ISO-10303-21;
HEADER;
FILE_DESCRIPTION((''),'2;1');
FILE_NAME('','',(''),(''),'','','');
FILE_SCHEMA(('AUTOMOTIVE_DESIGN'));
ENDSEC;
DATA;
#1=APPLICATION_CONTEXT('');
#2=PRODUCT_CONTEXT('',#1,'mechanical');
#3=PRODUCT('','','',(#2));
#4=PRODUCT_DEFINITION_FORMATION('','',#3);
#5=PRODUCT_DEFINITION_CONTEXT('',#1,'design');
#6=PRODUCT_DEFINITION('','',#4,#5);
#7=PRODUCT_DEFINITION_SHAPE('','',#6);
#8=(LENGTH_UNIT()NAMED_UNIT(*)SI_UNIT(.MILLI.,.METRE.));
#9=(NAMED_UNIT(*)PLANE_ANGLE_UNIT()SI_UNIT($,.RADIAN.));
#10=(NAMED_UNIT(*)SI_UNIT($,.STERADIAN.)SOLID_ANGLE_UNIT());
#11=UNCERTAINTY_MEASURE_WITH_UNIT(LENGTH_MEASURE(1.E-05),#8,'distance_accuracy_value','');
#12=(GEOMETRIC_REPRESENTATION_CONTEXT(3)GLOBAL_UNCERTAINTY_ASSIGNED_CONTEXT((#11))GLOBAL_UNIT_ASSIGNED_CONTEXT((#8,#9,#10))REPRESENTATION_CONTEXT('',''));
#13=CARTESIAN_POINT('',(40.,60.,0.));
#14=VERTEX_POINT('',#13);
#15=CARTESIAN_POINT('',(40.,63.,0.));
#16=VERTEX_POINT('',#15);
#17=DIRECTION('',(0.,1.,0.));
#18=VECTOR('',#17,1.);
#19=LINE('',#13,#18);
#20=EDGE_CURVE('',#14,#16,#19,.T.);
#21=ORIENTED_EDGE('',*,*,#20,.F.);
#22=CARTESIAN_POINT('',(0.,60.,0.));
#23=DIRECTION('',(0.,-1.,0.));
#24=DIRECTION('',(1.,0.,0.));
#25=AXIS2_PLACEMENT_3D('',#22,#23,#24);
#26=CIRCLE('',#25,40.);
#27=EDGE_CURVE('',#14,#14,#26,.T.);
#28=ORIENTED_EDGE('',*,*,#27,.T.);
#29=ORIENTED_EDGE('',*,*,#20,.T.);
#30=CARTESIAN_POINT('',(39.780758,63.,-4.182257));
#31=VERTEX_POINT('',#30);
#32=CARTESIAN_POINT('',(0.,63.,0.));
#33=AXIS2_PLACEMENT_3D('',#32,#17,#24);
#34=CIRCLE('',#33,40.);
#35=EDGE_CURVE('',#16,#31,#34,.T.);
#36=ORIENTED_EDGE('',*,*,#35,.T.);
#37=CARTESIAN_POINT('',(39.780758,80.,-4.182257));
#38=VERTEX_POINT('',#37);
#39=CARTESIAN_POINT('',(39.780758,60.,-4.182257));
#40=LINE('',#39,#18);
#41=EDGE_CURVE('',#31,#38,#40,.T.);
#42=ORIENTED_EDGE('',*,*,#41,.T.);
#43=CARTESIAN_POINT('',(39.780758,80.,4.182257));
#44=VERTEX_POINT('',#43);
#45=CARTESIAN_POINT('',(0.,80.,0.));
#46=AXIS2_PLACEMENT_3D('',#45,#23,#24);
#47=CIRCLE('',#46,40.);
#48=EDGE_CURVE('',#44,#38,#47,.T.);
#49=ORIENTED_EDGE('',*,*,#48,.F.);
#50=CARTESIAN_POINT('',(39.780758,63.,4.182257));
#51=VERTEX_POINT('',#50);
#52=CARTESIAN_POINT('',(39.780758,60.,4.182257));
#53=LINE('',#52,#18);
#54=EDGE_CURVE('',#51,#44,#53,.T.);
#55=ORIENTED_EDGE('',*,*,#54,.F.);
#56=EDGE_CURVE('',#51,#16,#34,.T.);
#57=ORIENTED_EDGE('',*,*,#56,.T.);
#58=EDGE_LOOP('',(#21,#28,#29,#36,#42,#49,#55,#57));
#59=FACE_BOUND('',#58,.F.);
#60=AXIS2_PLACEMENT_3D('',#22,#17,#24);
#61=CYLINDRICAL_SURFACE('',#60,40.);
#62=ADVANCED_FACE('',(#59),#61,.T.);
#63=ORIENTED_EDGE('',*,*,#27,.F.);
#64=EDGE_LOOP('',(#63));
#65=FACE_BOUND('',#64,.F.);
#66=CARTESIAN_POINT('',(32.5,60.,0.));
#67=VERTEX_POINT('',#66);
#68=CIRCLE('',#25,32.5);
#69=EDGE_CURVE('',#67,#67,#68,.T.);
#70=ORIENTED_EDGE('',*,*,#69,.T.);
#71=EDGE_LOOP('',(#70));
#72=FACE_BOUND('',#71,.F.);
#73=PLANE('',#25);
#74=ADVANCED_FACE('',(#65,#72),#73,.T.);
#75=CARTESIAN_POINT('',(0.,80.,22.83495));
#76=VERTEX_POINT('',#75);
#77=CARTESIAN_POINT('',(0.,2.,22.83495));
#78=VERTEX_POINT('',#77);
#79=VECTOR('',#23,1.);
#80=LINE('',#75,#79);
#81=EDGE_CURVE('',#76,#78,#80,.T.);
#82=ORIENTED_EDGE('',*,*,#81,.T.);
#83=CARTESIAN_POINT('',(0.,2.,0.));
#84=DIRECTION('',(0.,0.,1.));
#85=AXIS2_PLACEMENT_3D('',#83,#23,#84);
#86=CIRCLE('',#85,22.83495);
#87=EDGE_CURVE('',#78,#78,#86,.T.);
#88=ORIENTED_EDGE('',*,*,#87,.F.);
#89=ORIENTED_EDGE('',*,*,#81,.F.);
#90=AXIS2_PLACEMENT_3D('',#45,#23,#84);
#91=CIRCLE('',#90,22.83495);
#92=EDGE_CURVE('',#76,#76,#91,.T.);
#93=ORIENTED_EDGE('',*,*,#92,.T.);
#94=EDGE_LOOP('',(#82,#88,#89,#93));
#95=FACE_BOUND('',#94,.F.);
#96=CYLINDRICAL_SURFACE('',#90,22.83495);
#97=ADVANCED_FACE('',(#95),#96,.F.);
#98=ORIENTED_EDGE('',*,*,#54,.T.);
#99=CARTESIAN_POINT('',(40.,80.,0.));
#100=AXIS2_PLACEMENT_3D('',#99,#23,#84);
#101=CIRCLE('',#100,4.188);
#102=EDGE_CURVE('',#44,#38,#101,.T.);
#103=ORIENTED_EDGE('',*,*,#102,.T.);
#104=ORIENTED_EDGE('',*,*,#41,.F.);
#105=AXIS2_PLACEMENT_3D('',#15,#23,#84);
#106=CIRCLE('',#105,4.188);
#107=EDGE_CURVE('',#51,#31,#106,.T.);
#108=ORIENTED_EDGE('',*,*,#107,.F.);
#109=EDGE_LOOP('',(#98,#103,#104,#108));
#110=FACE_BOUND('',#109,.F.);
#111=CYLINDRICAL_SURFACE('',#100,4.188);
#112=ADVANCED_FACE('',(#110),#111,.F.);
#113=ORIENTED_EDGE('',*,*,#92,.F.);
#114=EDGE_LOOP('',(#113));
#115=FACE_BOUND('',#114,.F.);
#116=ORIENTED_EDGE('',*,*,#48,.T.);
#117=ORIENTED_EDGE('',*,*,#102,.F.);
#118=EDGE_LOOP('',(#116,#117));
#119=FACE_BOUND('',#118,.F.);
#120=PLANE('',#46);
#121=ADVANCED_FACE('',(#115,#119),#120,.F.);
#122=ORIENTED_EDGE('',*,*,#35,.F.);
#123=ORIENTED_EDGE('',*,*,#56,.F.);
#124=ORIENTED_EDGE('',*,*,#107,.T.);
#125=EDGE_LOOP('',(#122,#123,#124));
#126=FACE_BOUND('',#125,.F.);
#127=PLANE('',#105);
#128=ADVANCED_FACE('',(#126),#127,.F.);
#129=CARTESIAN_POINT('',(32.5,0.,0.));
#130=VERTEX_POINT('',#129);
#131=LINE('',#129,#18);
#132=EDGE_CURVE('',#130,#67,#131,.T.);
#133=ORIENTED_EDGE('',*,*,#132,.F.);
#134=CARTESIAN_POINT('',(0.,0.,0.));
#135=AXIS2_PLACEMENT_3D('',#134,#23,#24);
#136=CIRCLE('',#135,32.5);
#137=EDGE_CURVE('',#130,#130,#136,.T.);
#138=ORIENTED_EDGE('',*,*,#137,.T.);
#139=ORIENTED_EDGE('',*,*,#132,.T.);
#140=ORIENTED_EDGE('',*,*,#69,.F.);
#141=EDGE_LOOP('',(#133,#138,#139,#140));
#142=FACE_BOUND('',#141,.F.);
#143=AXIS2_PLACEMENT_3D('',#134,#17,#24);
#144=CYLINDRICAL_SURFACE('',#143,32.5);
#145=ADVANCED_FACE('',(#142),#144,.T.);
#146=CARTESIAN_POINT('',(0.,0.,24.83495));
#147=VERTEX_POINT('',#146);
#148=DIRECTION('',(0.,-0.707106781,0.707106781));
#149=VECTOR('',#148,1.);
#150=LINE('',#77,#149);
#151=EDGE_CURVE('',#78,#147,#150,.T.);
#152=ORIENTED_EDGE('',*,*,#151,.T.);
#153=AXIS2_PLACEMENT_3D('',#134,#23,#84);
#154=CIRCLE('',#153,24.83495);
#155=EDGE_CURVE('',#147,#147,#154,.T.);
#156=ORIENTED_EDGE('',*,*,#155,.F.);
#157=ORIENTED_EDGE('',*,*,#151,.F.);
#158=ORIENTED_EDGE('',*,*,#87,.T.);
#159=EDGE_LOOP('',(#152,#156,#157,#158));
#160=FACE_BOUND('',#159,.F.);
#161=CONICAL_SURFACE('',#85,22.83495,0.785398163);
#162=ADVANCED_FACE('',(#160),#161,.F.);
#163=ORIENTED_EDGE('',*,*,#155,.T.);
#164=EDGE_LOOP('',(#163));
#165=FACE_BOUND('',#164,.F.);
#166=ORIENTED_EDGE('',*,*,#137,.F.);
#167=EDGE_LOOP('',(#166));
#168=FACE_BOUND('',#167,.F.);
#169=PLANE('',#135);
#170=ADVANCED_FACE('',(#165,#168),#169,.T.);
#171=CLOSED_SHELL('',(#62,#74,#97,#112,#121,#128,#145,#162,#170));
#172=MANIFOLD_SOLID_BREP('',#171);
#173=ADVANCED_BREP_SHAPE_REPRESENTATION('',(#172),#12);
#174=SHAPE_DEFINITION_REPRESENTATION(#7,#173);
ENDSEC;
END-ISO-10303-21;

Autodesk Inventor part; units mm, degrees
ref_plane "YZ Plane" through (0, 0, 0) normal (1, 0, 0) x (0, 1, 0)
ref_plane "XZ Plane" through (0, 0, 0) normal (0, 1, 0) x (-1, 0, 0)
ref_plane "XY Plane" through (0, 0, 0) normal (0, 0, 1) x (1, 0, 0)
sketch "草图1" plane through (0, 0, 0) normal (0, 0, 1) x (1, 0, 0)
  line L0 (0, 0) -> (32.5, 0)
  line L1 (32.5, 0) -> (32.5, 60)
  line L2 (32.5, 60) -> (40, 60)
  line L3 (40, 60) -> (40, 80)
  line L4 (40, 80) -> (0, 80)
  line L5 (0, 80) -> (0, 0)
  dimension "d0" = 32.5
  dimension "d1" = 60
  dimension "d2" = 7.5
  dimension "d3" = 20
revolve "旋转1" add sketch "草图1" angle 360 about axis through (0, 80, 0) along (0, -1, 0)
sketch "草图2" plane through (0, 80, 0) normal (0, 1, 0) x (1, 0, 0)
  circle A0 centre (0, 0) radius 40 projected
hole "孔1" at (0, 80, 0) direction (0, -1, 0) diameter 45.6699 end through all thread size "M50x4" class "6H" standard "GB Metric profile"
chamfer "倒角1" distance 2 angle 45 1 edges at (0, 0, -22.8349)
sketch "草图3" plane through (0, 80, 0) normal (0, 1, 0) x (1, 0, 0)
  circle A0 centre (0, 0) radius 40 projected
  point P0 (40, 0)
hole "孔2" at (40, 80, 0) direction (0, -1, 0) diameter 8.376 depth 17 thread size "M10x1.5" designation "M10" class "6H" standard "GB Metric profile"
properties part number "螺套"
